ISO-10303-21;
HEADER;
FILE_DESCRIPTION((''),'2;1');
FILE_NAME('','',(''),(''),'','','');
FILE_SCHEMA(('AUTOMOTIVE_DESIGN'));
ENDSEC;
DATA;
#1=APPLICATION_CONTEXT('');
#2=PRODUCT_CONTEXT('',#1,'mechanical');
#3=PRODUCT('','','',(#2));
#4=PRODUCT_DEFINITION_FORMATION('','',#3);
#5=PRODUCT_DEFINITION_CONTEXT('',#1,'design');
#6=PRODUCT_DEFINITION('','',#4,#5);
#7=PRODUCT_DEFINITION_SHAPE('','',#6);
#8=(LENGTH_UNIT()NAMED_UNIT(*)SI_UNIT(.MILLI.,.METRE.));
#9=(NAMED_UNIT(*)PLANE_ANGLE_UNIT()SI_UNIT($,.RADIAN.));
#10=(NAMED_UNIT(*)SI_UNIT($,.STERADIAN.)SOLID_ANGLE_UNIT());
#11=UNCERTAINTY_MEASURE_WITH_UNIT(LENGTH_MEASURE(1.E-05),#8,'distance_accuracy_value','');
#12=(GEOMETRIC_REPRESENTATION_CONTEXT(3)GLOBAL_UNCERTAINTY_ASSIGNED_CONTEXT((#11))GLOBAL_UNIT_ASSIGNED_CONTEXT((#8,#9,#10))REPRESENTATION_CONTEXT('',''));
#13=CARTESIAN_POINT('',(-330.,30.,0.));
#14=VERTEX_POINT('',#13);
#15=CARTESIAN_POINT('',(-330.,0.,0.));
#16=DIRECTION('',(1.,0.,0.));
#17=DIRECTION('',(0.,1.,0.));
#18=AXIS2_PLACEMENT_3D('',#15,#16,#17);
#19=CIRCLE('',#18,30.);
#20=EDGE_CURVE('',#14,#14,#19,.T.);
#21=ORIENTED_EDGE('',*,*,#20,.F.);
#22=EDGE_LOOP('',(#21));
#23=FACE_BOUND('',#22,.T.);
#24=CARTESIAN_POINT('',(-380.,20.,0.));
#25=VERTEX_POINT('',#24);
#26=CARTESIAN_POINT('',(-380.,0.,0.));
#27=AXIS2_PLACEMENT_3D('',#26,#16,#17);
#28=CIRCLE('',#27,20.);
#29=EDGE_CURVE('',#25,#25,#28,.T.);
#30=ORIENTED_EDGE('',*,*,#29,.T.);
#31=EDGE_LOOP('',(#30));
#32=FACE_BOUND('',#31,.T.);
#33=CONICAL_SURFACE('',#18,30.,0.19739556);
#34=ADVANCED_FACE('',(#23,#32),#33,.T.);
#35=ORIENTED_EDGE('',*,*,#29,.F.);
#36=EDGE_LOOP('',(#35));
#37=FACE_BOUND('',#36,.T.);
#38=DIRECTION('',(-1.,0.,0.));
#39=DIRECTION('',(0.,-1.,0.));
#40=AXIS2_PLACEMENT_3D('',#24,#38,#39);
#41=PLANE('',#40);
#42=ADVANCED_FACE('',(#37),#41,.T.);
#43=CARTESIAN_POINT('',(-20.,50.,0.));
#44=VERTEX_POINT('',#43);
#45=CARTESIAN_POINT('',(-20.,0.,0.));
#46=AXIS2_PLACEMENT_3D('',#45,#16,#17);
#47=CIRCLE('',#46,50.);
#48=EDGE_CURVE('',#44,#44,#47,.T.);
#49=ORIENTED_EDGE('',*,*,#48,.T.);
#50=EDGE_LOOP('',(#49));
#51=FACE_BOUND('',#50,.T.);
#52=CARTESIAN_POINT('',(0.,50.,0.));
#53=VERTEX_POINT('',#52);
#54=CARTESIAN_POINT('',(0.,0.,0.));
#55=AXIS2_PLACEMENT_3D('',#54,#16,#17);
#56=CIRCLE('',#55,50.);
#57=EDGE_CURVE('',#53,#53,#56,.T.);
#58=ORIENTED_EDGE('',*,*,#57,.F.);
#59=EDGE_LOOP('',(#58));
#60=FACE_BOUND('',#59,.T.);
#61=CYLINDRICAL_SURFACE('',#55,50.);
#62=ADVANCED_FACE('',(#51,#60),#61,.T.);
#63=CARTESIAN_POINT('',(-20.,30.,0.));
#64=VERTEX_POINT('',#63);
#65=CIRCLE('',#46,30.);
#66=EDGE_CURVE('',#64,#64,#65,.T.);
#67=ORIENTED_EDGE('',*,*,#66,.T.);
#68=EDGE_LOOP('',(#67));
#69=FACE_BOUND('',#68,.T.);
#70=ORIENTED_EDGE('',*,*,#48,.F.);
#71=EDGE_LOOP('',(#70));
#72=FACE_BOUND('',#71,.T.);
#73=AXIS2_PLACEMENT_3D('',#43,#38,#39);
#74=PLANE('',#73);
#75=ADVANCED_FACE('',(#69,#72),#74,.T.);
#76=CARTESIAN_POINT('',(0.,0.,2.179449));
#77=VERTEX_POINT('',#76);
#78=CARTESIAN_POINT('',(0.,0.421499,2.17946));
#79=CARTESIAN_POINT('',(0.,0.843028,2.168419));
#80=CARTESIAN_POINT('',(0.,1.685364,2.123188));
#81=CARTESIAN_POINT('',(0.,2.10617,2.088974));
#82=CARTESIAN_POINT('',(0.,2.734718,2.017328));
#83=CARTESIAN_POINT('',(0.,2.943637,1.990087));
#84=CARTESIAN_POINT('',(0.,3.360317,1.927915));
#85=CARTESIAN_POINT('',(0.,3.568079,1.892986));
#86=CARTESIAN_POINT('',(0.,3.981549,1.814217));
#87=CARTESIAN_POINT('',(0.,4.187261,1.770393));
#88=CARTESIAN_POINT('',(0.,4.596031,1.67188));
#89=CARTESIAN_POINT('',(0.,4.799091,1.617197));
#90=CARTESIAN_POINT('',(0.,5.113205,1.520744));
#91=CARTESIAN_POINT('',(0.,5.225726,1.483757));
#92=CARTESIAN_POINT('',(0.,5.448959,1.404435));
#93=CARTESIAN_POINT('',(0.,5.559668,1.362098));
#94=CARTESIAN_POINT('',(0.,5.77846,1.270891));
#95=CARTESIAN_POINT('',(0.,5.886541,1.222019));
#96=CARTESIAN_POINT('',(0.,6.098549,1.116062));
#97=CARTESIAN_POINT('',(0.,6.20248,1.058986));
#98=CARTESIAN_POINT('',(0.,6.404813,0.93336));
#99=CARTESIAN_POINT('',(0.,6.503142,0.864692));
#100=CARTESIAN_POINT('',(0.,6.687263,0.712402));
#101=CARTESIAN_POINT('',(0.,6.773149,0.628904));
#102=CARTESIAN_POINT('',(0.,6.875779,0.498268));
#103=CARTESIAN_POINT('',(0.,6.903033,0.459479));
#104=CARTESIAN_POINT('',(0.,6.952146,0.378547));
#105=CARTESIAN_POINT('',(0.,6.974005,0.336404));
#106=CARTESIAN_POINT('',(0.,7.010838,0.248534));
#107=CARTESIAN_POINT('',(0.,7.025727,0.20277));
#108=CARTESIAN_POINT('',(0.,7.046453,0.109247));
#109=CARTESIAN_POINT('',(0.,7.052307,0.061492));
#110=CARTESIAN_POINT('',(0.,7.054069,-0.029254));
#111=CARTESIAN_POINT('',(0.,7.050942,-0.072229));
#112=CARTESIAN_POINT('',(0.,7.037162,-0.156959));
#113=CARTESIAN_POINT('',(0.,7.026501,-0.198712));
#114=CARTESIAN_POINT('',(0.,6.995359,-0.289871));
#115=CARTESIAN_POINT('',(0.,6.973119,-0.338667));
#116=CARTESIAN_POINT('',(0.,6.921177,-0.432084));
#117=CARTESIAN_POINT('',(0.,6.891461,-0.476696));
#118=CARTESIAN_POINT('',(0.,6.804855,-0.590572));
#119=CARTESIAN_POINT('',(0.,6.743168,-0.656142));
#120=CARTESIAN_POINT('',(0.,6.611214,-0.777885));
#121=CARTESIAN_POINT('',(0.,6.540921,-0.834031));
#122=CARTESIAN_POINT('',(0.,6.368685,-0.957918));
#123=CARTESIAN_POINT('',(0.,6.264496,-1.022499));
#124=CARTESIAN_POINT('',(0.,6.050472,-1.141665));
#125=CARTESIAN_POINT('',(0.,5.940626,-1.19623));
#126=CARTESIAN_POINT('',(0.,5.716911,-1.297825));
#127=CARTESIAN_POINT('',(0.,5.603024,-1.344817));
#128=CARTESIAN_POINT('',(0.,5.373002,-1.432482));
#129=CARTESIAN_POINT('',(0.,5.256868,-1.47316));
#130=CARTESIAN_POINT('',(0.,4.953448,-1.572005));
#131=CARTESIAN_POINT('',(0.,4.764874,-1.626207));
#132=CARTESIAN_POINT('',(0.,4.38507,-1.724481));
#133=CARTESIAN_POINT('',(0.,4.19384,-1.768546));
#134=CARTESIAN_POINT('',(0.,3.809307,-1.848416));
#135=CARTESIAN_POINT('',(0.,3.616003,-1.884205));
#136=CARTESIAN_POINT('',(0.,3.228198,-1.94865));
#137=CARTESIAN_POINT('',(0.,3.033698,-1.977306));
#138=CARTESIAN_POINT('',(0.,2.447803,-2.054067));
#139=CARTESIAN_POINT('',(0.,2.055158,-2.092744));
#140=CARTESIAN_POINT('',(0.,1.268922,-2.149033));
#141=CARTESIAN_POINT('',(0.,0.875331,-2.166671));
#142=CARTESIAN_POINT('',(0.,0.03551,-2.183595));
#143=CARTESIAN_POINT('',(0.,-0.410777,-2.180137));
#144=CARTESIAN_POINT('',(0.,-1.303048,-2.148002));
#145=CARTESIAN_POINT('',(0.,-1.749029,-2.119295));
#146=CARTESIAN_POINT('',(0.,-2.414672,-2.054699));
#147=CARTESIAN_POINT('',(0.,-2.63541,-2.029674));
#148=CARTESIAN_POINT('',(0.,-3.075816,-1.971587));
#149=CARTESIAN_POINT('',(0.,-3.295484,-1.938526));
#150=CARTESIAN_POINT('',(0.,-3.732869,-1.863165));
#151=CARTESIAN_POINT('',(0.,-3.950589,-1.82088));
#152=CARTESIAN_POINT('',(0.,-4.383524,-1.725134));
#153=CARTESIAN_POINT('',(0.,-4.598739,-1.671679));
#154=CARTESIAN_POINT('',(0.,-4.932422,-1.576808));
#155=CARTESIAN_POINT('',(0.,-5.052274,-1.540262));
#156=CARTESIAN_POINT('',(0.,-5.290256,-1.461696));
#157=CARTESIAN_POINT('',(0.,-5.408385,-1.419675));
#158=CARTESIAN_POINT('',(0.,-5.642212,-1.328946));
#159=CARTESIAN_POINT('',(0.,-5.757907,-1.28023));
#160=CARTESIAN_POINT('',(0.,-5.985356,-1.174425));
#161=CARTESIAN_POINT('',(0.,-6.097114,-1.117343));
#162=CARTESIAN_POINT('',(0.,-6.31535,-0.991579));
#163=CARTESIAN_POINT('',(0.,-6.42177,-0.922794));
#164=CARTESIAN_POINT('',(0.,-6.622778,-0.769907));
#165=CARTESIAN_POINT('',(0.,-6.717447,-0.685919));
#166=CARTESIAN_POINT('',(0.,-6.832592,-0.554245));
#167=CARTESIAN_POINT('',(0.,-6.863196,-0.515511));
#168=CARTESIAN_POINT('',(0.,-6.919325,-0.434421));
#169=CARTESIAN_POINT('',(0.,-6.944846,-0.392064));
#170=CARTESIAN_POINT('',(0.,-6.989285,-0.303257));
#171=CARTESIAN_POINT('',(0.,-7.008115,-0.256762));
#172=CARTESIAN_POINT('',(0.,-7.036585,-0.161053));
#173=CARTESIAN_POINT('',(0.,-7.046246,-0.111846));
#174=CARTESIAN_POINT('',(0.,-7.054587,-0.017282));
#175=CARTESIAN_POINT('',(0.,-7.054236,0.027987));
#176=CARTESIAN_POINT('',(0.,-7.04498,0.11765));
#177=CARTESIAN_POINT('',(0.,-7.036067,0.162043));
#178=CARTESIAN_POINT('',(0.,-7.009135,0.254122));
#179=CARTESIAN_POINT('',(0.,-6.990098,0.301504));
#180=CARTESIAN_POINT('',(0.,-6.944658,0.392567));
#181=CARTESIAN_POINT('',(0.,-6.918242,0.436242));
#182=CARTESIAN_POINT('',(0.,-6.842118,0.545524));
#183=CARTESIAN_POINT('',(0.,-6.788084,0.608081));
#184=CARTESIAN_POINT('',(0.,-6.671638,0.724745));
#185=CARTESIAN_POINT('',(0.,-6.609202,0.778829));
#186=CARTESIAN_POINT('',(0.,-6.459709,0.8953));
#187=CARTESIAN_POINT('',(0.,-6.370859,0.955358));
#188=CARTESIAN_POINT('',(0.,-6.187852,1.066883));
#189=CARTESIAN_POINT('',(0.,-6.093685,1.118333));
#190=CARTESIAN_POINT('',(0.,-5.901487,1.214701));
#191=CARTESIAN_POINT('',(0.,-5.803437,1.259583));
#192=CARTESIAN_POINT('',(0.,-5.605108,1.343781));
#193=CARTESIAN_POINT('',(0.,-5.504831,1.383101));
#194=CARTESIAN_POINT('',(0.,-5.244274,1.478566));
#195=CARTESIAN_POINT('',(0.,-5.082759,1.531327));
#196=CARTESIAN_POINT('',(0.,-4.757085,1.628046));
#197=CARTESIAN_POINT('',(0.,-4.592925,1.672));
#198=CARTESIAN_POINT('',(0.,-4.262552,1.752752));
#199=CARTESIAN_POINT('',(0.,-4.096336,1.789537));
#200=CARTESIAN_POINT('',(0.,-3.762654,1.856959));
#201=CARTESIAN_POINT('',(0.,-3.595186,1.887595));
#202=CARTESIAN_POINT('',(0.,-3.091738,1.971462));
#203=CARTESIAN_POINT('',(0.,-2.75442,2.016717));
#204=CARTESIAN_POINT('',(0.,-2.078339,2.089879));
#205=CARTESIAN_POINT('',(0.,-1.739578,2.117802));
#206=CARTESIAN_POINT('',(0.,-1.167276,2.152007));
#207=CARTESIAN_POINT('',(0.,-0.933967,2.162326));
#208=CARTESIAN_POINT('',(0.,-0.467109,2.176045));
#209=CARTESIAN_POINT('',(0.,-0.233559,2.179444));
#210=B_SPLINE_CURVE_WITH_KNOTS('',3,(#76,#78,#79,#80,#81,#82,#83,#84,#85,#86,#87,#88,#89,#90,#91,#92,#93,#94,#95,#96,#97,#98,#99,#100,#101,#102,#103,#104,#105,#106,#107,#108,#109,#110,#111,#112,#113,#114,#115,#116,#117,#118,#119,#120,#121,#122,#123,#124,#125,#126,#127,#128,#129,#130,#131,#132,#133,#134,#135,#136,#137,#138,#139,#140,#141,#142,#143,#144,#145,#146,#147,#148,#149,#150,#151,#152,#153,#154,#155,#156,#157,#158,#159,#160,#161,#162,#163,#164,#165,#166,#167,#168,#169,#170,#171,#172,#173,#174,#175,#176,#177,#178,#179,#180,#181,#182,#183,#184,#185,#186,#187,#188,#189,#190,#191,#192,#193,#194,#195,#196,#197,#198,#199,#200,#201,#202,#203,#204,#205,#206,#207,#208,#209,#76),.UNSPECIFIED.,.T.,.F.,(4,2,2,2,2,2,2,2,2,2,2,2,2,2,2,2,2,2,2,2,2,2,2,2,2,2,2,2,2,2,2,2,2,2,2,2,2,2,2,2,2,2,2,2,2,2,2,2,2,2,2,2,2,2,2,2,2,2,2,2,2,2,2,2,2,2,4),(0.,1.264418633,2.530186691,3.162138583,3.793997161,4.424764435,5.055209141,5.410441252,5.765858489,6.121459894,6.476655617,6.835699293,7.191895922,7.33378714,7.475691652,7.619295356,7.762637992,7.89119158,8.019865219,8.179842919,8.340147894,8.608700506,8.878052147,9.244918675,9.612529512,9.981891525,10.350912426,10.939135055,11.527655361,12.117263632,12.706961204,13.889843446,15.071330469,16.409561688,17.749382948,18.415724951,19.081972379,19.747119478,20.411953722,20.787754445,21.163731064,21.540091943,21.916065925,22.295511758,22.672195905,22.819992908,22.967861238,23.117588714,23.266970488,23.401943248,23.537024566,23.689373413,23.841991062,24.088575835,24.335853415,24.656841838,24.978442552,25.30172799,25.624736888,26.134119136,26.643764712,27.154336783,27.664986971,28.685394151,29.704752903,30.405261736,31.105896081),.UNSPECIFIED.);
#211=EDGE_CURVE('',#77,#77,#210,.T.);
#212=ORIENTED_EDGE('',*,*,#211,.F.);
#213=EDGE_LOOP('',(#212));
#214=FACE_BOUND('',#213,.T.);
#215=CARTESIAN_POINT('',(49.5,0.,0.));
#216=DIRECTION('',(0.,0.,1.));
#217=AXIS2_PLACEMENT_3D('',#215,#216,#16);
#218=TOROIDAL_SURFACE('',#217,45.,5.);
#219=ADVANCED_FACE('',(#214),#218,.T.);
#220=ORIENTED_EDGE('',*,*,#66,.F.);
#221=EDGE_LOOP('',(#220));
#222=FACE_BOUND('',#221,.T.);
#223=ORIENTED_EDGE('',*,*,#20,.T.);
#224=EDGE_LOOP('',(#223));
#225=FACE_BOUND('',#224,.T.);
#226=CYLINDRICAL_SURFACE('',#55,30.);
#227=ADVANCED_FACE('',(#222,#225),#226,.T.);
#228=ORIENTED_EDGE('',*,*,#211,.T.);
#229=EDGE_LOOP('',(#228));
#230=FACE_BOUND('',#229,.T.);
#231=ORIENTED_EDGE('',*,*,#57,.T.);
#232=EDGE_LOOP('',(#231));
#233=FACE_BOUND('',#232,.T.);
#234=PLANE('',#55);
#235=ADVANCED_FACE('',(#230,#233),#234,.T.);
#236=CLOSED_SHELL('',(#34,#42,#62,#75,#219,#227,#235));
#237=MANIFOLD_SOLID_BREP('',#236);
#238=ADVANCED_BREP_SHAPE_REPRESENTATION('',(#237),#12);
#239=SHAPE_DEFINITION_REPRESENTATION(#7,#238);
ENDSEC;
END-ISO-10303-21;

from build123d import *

# Parameters (mm, degrees)
SKETCH_2_R = 5


with BuildPart() as part:
    # 草图1 → 旋转1 (revolve)
    with BuildSketch(Plane.XY):
        Polygon((0, 0), (-380, 0), (-380, 20), (-330, 30), (-20, 30), (-20, 50), (0, 50), align=None)
    revolve(axis=Axis((0, 0, 0), (-1, 0, 0)))

    # 草图2 → 旋转2 (revolve)
    with BuildSketch(Plane(origin=(0, 0, 0), x_dir=(1, 0, 0), z_dir=(0, 1, 0)), mode=Mode.PRIVATE) as revolve_2_sk:
        with Locations((4.5, 0)):
            Circle(SKETCH_2_R)
    revolve(revolve_2_sk.sketch.rotate(Axis((49.5, 0, 1000), (0, 0, -1)), 265.94519807), axis=Axis((49.5, 0, 1000), (0, 0, -1)))


solid = part.part
